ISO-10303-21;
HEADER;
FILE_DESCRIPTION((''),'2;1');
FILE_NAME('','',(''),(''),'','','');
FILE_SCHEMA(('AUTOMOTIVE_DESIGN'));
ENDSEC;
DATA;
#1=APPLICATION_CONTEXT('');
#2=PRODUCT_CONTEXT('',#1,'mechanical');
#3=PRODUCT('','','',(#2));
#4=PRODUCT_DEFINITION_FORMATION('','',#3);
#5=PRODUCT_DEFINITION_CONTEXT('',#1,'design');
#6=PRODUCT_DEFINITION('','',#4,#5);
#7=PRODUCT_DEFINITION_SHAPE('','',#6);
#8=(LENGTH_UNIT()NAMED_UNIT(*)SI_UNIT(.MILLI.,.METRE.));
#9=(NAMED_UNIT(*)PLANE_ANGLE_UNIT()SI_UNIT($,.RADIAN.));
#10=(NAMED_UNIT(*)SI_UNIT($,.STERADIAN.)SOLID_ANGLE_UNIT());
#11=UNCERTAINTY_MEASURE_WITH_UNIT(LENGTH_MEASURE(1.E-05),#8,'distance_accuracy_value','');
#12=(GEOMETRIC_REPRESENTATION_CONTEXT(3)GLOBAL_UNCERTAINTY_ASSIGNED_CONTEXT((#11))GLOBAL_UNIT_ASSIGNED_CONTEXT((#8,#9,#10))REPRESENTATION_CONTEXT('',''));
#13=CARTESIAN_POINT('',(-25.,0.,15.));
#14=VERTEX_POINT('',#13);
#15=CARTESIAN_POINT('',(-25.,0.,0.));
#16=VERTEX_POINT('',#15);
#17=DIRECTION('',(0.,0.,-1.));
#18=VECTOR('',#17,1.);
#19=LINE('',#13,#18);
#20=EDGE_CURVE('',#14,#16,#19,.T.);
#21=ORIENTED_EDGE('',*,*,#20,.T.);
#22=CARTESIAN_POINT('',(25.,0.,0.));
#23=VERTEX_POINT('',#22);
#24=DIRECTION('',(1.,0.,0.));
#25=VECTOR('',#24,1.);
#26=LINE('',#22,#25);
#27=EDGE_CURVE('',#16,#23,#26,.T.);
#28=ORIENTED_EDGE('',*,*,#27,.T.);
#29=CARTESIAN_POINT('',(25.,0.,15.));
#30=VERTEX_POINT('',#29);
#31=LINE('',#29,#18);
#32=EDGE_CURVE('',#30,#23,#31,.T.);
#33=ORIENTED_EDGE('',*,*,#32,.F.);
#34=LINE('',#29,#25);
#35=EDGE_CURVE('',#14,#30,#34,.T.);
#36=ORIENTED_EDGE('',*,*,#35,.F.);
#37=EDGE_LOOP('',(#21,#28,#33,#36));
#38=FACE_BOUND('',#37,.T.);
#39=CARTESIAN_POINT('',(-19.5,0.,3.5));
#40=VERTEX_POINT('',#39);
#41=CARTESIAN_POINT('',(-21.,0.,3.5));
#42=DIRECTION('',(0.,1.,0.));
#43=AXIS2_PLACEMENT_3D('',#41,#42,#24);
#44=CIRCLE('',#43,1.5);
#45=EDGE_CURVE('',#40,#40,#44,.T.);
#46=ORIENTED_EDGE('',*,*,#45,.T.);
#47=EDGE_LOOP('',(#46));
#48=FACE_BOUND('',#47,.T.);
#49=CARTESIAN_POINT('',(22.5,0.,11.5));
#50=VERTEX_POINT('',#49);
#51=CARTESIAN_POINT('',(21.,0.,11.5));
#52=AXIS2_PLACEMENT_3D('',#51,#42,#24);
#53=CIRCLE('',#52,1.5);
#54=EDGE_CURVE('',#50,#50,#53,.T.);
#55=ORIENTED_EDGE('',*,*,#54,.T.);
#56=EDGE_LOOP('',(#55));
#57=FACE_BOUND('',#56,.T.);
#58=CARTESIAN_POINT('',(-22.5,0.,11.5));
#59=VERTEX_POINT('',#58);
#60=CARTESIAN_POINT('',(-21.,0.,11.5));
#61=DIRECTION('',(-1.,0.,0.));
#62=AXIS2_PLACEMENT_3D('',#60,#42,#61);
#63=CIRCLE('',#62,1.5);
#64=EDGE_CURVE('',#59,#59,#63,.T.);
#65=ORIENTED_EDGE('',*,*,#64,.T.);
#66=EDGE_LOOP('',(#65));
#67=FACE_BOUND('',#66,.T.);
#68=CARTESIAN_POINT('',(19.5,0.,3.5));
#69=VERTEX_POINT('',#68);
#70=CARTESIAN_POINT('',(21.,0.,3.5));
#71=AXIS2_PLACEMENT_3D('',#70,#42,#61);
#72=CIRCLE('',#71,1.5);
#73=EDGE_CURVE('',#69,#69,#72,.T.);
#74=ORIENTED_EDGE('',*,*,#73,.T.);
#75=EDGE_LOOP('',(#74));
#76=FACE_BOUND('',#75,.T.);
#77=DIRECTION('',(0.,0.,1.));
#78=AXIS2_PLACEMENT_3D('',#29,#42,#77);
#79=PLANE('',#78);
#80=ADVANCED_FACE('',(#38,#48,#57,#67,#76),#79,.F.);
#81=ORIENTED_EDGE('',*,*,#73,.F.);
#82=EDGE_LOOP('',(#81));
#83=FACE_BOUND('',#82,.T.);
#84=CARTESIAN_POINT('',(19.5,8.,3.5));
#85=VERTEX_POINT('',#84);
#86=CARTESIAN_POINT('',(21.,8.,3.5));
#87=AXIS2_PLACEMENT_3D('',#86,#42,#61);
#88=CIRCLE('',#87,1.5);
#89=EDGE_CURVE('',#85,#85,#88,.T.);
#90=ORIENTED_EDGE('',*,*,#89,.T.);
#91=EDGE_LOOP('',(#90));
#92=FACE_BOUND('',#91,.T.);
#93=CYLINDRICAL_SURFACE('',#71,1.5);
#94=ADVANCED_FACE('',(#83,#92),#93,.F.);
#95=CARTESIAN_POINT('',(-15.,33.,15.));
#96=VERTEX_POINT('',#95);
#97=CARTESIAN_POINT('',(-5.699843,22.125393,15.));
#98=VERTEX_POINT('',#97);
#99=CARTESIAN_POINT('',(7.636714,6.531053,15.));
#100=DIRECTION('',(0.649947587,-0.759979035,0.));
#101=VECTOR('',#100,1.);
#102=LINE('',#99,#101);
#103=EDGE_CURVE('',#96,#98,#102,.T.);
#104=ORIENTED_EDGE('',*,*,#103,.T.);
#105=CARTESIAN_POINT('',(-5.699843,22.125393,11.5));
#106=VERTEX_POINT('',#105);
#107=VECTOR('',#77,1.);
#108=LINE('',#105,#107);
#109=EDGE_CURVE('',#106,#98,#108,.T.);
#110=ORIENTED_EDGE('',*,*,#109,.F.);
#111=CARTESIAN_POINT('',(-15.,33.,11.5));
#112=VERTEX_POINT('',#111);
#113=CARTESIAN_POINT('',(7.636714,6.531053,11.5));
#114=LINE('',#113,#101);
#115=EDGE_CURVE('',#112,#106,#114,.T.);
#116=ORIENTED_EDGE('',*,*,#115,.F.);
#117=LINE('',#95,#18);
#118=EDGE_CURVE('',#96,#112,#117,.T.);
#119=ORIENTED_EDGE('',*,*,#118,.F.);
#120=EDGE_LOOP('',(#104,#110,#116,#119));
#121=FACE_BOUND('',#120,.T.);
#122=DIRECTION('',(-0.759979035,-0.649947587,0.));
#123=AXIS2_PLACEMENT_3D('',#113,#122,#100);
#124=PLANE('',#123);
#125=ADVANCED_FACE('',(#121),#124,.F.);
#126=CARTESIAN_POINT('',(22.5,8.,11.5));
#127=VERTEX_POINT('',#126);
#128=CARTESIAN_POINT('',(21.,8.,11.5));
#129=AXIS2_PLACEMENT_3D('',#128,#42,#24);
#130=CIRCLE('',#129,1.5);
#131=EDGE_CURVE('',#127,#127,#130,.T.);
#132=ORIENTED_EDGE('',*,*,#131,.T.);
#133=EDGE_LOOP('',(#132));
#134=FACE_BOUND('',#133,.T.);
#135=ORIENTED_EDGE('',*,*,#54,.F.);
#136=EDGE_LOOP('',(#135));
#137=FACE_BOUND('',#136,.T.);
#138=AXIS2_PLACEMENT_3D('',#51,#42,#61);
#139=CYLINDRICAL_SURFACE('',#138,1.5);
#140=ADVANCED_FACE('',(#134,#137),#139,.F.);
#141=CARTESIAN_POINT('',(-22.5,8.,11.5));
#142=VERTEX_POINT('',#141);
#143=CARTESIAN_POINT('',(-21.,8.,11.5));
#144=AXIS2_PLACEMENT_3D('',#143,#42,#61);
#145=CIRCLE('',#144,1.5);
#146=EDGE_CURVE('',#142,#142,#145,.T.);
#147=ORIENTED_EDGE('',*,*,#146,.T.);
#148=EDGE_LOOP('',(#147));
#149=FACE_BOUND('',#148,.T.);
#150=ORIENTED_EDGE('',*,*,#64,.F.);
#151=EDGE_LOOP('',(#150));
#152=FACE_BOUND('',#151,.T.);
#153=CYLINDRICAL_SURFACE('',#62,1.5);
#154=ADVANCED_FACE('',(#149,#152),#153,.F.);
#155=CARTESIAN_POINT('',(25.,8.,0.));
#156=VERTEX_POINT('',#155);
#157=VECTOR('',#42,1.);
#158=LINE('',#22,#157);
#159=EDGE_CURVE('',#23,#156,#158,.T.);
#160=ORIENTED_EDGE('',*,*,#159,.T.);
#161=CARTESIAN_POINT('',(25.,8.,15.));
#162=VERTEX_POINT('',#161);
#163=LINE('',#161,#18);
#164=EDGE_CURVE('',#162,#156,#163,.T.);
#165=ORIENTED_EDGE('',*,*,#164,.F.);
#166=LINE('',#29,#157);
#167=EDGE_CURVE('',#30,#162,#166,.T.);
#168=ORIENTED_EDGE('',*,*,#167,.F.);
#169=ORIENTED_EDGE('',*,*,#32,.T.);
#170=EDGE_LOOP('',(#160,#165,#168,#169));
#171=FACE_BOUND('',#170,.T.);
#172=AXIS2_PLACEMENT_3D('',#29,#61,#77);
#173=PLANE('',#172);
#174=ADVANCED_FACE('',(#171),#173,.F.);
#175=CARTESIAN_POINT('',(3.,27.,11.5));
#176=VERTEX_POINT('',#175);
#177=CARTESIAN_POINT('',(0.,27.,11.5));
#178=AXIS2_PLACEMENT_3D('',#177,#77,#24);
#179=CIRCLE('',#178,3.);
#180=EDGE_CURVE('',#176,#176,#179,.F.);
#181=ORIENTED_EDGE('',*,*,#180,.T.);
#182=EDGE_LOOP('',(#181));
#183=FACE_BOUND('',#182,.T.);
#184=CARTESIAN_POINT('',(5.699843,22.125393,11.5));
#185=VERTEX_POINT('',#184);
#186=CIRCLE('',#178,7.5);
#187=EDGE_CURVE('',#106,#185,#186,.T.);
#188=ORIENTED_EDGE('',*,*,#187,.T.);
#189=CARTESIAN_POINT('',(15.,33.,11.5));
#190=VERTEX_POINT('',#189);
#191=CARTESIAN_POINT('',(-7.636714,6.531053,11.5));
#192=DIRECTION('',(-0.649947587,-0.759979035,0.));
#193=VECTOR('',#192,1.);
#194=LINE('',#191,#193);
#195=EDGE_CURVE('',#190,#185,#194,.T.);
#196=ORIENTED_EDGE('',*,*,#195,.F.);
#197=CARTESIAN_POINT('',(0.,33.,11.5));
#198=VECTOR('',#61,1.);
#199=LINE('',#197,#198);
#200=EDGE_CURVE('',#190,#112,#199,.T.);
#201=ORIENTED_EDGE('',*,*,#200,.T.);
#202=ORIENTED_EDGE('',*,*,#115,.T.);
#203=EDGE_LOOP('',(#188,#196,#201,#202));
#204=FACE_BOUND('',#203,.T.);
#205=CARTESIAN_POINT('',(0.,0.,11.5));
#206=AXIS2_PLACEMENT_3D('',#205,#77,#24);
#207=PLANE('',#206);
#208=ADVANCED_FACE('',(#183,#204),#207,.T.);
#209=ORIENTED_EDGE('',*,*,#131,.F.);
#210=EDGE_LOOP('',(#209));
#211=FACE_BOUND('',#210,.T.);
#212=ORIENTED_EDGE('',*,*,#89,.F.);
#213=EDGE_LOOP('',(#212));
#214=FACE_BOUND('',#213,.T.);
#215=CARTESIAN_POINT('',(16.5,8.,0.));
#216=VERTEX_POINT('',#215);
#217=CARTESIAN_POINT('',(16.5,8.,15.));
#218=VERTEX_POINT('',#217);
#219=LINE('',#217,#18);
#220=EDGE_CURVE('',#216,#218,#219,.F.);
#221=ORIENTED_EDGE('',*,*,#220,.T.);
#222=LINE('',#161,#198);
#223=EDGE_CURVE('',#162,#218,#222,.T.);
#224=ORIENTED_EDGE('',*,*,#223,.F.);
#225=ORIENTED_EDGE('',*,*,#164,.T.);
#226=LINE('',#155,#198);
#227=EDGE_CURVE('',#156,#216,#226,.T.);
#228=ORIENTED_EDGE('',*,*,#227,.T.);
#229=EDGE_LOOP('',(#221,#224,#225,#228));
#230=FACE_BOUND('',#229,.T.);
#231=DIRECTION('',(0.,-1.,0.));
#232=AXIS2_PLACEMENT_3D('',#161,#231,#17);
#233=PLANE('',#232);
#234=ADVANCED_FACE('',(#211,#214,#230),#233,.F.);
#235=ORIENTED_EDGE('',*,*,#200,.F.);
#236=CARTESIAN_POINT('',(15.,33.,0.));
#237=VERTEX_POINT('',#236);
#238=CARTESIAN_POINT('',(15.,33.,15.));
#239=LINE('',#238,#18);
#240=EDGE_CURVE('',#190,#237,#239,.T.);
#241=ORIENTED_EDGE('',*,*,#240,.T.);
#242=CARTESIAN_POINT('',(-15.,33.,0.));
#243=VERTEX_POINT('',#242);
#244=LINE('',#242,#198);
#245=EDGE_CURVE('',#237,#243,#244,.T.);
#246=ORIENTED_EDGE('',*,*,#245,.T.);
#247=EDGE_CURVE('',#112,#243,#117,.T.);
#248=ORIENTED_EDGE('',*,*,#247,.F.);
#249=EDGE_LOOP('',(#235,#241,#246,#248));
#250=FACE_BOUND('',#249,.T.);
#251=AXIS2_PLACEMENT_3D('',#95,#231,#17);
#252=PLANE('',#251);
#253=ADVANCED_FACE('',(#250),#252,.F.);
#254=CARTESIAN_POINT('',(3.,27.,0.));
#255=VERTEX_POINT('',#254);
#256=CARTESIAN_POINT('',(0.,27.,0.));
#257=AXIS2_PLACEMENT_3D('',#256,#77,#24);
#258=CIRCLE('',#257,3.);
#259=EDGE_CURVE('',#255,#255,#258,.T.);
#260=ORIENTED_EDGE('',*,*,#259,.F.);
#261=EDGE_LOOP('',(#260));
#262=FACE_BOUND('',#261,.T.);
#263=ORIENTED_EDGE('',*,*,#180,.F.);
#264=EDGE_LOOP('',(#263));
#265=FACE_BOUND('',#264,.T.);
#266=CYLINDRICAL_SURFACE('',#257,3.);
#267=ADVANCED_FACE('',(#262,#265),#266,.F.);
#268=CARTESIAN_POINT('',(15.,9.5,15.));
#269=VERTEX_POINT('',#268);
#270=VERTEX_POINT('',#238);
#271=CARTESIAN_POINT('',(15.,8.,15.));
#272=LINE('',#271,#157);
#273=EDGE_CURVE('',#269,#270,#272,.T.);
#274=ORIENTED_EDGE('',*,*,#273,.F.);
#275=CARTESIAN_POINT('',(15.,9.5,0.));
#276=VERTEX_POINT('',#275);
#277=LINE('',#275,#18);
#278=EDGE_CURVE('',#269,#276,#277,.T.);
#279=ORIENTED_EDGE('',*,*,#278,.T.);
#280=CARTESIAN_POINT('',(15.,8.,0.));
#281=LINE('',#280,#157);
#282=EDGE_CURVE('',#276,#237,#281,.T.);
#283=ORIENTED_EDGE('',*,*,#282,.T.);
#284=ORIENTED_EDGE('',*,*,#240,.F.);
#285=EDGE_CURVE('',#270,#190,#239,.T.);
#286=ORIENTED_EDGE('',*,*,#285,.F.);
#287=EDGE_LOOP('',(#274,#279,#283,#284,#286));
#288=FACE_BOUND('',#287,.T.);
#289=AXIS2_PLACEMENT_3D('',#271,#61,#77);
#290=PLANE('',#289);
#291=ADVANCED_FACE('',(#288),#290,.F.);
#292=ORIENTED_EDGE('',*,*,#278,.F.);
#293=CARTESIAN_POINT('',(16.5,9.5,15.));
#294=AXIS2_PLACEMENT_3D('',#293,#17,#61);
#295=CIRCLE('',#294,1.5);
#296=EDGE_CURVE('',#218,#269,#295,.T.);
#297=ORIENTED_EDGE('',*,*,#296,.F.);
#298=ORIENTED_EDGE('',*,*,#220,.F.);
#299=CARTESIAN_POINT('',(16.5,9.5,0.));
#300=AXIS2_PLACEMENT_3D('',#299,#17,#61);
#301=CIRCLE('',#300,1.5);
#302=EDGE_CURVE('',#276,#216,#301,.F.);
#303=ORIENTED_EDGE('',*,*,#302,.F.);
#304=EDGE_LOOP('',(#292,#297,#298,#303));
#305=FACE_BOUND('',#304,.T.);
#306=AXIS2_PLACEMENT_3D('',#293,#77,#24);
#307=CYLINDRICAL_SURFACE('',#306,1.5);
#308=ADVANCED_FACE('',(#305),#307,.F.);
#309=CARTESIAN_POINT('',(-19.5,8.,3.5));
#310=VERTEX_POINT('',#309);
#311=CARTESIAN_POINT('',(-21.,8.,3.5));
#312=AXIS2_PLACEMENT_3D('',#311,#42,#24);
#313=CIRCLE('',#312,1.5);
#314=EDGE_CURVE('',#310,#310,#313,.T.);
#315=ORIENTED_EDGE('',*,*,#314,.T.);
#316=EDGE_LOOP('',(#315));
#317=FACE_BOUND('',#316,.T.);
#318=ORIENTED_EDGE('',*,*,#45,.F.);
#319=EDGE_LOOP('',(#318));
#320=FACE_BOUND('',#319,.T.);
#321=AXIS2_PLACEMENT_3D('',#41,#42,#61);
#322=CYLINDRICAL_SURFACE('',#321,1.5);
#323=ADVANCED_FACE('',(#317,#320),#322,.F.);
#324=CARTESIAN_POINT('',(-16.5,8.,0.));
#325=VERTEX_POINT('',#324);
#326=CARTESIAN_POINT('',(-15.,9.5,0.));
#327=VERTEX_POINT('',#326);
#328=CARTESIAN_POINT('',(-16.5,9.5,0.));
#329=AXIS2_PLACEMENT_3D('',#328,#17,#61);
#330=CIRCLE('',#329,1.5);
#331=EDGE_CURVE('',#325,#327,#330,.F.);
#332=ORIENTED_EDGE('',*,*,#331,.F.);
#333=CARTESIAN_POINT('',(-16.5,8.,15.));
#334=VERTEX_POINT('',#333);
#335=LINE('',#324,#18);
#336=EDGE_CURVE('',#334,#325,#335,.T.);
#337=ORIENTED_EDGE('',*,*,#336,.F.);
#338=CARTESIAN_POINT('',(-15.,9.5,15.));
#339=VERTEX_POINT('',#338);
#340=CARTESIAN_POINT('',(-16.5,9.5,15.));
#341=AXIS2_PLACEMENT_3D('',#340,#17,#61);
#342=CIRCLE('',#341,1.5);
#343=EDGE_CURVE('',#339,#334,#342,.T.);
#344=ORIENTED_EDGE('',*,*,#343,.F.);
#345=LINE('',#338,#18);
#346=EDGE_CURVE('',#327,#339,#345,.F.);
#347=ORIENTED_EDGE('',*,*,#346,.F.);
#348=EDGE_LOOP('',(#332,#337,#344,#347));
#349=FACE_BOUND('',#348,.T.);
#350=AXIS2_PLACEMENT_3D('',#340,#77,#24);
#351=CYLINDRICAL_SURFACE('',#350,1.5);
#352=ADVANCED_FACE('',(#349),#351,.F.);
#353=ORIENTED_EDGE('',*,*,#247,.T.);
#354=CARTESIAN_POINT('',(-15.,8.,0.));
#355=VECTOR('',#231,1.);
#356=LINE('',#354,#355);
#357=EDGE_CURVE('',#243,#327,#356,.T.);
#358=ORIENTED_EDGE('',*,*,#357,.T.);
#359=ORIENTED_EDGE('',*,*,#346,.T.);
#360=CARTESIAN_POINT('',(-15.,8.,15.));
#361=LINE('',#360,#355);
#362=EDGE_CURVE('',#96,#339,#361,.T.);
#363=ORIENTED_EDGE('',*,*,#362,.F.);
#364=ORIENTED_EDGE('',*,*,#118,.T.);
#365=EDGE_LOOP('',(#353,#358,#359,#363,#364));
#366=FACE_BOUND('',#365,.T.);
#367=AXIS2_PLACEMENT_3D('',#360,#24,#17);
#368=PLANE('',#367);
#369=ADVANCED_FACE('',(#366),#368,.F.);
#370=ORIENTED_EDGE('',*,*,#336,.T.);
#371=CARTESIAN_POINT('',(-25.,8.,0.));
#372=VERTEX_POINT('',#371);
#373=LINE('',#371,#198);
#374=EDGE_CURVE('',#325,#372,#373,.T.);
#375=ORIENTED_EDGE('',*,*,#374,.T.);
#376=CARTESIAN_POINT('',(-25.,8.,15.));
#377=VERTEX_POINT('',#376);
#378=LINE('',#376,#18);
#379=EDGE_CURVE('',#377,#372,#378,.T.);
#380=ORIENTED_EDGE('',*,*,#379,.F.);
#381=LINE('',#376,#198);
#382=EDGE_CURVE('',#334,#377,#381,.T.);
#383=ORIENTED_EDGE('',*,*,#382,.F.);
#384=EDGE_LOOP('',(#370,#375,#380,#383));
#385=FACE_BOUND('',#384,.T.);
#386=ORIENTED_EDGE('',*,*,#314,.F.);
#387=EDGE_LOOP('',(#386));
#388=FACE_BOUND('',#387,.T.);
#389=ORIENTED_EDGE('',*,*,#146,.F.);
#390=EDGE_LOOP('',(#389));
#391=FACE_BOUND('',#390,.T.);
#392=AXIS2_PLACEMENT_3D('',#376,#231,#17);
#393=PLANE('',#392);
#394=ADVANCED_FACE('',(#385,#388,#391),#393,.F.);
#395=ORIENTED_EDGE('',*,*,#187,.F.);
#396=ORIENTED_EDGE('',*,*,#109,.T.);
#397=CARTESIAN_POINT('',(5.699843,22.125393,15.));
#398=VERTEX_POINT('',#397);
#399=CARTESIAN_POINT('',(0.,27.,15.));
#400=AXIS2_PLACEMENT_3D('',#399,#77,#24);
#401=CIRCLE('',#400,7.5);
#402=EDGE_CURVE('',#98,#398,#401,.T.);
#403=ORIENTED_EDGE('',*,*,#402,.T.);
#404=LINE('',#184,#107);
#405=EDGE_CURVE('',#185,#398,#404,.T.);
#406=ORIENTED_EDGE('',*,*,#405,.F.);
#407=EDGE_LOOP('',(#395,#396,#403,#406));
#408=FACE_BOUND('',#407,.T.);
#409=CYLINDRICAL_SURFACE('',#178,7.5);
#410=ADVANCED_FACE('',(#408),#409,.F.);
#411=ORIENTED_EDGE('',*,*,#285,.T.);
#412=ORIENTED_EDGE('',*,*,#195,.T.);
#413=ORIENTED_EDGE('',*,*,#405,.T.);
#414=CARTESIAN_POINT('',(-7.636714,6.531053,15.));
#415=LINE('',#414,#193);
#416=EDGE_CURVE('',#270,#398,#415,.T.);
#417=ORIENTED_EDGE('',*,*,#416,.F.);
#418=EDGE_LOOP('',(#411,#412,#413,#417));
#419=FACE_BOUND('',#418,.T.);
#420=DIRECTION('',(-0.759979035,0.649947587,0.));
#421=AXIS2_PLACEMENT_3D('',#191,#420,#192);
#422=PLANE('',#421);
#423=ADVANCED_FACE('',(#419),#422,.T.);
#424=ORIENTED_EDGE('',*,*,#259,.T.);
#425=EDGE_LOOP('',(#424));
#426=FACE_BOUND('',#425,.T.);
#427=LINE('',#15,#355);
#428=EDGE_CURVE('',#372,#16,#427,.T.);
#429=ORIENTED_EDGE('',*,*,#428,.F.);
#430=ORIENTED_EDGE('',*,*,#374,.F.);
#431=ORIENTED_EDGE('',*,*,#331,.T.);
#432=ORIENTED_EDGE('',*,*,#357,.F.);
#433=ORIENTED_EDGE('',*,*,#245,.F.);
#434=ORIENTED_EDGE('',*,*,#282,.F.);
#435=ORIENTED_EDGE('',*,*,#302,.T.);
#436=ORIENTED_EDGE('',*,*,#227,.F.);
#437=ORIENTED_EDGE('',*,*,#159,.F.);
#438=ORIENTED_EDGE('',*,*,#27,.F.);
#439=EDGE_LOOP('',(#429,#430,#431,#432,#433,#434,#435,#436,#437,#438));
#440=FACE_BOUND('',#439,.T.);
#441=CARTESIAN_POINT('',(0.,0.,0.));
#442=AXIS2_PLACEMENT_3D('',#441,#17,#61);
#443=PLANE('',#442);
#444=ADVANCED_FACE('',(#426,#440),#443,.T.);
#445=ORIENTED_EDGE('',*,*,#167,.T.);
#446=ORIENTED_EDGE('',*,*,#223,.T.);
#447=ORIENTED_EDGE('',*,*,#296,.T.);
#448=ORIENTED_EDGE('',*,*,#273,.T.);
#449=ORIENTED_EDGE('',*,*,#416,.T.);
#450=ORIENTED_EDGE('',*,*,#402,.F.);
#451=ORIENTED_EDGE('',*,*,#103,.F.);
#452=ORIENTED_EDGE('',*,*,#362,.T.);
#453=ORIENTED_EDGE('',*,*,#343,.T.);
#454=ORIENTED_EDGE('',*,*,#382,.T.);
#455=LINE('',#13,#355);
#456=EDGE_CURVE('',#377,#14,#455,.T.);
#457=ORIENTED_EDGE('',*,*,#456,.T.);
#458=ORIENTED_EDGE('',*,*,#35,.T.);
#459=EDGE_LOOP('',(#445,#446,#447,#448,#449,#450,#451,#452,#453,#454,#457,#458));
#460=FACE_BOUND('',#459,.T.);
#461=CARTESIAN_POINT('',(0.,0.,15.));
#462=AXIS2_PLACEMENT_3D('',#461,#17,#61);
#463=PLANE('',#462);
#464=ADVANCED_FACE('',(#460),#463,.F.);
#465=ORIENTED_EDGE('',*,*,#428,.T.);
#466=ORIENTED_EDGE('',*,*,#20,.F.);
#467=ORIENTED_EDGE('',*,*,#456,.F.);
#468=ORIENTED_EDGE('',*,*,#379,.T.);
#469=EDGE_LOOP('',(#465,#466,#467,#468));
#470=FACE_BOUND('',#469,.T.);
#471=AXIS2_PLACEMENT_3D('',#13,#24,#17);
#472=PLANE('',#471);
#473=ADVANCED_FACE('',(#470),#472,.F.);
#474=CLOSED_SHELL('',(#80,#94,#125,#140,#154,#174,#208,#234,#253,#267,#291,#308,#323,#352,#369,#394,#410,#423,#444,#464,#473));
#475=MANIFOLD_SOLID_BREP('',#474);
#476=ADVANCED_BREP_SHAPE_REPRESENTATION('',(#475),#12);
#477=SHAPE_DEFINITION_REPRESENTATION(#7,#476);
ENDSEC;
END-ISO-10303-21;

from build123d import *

# Parameters (mm, degrees)
EXTRUDE_1_DEPTH     = 15
SKETCH_2_R          = 3
CUT_EXTRUDE_1_DEPTH = 45.034077713
SKETCH_3_R          = 1.5
CUT_EXTRUDE_2_DEPTH = 39.405728739
FILLET_1_R          = 1.5
CUT_EXTRUDE_3_DEPTH = 3.5


with BuildPart() as part:
    # 草图1 → 凸台-拉伸1 (new body)
    with BuildSketch(Plane.XY):
        Polygon((25, 0), (-25, 0), (-25, 8), (-15, 8), (-15, 33), (15, 33), (15, 8), (25, 8), align=None)
    extrude(amount=EXTRUDE_1_DEPTH)

    # 草图2 → 切除-拉伸1 (cut, through all)
    with BuildSketch(Plane.XY.offset(15)):
        with Locations((0, 27)):
            Circle(SKETCH_2_R)
    extrude(amount=-CUT_EXTRUDE_1_DEPTH, mode=Mode.SUBTRACT)

    # 草图3 → 切除-拉伸2 (cut, through all)
    with BuildSketch(Plane(origin=(0, 8, 0), x_dir=(1, 0, 0), z_dir=(0, 1, 0))):
        with Locations(Location((21, -3.5, 0), (0, 0, 180))):
            Circle(SKETCH_3_R)
        with Locations((21, -11.5)):
            Circle(SKETCH_3_R)
        with Locations(Location((-21, -11.5, 0), (0, 0, 180))):
            Circle(SKETCH_3_R)
        with Locations((-21, -3.5)):
            Circle(SKETCH_3_R)
    extrude(amount=-CUT_EXTRUDE_2_DEPTH, mode=Mode.SUBTRACT)

    # 圆角1
    fillet_1_edges = [part.edges().sort_by_distance(p)[0] for p in [
        (-15, 8, 7.5),
        (15, 8, 7.5),
    ]]
    fillet(fillet_1_edges, radius=FILLET_1_R)

    # 草图4 → 切除-拉伸3 (cut)
    with BuildSketch(Plane.XY.offset(15)):
        with BuildLine():
            Line((-15, 33), (-5.699842762, 22.125393094))
            ThreePointArc((-5.699842762, 22.125393094), (-7.45476136, 27.822516302), (-4.5, 33))
            Line((-4.5, 33), (-15, 33))
        make_face()
        with BuildLine():
            ThreePointArc((-5.699842762, 22.125393094), (-3.137710009, 20.1878949), (0, 19.5))
            Line((0, 19.5), (0, 24))
            ThreePointArc((0, 24), (-3, 27), (0, 30))
            Line((0, 30), (0, 33))
            Line((0, 33), (-4.5, 33))
            ThreePointArc((-4.5, 33), (-7.45476136, 27.822516302), (-5.699842762, 22.125393094))
        make_face()
        with BuildLine():
            Line((0, 24), (0, 19.5))
            ThreePointArc((0, 19.5), (3.137710009, 20.1878949), (5.699842762, 22.125393094))
            ThreePointArc((5.699842762, 22.125393094), (7.035581736, 24.401810315), (7.5, 27))
            ThreePointArc((7.5, 27), (6.708203932, 30.354101966), (4.5, 33))
            Line((4.5, 33), (0, 33))
            Line((0, 33), (0, 30))
            ThreePointArc((0, 30), (2.121320344, 29.121320344), (3, 27))
            ThreePointArc((3, 27), (2.121320344, 24.878679656), (0, 24))
        make_face()
        with BuildLine():
            ThreePointArc((7.5, 27), (7.035581736, 24.401810315), (5.699842762, 22.125393094))
            Line((5.699842762, 22.125393094), (15, 33))
            Line((15, 33), (4.5, 33))
            ThreePointArc((4.5, 33), (6.708203932, 30.354101966), (7.5, 27))
        make_face()
    extrude(amount=-CUT_EXTRUDE_3_DEPTH, mode=Mode.SUBTRACT)


solid = part.part
